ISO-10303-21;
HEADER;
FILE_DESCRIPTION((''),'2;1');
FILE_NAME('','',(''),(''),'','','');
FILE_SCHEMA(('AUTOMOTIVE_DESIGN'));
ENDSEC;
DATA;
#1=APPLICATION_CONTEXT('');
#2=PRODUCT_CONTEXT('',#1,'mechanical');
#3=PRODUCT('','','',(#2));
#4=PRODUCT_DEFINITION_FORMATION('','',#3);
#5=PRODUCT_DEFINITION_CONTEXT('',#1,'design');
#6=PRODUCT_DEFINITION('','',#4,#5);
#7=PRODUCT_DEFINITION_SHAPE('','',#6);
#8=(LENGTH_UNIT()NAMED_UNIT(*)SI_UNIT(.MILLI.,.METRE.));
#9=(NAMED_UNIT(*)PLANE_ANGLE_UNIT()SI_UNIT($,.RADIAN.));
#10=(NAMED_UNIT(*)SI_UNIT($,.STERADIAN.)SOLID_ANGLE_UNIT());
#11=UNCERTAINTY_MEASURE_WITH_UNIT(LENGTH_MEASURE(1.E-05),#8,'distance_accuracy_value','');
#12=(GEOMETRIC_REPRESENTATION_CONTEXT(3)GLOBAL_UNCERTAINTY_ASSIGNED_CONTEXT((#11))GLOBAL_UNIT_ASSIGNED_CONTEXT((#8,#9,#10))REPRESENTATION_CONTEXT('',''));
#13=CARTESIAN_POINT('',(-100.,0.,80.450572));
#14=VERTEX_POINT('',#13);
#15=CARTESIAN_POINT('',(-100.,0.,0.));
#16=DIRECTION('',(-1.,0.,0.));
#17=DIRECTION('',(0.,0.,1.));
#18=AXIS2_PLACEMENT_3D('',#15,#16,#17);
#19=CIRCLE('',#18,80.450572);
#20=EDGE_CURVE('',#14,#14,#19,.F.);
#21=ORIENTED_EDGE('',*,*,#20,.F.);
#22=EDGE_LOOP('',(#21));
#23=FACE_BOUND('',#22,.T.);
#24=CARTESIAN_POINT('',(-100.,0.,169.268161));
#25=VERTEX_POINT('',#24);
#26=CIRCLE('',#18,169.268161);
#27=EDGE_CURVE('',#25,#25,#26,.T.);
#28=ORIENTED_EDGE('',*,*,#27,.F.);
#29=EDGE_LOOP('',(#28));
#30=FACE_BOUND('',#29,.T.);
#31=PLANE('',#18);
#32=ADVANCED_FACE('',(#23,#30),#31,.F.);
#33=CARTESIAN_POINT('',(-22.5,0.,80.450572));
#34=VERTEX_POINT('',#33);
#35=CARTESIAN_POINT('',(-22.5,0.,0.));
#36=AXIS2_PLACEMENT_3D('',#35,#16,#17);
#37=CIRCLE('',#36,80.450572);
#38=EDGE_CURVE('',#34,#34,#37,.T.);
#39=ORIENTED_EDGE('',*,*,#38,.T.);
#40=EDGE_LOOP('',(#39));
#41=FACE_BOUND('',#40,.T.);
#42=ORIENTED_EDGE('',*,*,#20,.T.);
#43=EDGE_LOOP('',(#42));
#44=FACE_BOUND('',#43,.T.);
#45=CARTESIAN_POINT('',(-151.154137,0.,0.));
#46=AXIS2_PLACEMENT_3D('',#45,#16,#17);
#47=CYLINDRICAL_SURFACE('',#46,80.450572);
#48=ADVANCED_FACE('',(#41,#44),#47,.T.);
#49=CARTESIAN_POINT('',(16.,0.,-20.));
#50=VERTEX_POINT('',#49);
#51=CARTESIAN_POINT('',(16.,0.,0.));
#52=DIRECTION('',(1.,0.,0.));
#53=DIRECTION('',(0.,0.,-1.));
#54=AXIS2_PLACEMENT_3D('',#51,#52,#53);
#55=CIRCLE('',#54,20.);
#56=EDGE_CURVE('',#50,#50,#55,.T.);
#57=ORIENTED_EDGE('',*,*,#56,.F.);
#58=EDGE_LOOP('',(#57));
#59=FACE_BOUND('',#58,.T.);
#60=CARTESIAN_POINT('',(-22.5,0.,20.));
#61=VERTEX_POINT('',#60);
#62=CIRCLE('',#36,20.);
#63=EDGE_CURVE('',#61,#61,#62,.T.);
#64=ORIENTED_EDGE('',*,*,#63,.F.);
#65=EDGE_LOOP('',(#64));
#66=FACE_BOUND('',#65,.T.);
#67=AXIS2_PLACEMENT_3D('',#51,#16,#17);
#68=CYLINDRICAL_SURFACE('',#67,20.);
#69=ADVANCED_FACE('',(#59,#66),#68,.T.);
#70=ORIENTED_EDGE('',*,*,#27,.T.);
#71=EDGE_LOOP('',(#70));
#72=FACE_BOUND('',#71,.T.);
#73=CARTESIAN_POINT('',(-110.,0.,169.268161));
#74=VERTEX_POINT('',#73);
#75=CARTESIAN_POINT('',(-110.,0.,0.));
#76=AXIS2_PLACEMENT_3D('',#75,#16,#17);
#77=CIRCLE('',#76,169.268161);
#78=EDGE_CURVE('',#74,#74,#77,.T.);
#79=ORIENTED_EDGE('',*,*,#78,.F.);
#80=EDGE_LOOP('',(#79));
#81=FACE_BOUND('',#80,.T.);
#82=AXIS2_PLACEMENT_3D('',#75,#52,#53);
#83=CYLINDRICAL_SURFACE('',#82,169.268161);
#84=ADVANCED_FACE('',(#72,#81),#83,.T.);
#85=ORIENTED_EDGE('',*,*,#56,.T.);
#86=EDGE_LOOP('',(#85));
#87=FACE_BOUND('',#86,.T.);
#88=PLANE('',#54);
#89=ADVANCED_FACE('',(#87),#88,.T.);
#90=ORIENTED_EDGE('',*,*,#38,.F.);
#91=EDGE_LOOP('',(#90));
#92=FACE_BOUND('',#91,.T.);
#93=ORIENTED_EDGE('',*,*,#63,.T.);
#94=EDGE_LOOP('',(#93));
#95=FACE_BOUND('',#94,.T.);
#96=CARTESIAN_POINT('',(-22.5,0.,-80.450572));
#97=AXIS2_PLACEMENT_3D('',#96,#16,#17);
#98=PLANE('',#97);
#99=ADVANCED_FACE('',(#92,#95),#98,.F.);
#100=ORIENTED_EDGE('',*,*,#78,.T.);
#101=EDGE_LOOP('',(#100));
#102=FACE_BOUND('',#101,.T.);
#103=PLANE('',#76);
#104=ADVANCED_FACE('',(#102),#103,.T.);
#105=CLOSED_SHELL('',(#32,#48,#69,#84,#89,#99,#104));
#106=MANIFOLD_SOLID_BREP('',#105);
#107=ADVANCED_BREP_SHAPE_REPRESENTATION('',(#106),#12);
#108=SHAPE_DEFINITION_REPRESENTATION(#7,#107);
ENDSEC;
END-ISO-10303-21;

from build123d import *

# Parameters (mm, degrees)
SKETCH1_R               = 50
BOSS_EXTRUDE1_DEPTH     = 140
SKETCH2_W               = 10
SKETCH2_H               = 60
BOSS_EXTRUDE2_START     = 100
SKETCH3_R               = 50
BOSS_EXTRUDE2_DEPTH     = 100
SKETCH4_R               = 169.268161275
BOSS_EXTRUDE3_DEPTH     = 10
FILLET2_R               = 50
CUT_EXTRUDE1_DEPTH      = 278.314660346
CUT_EXTRUDE1_DEPTH_BACK = 278.314660346
SKETCH5_W               = 561.706839888
SKETCH5_H               = 604.768431274
SKETCH6_R               = 20
BOSS_EXTRUDE4_DEPTH     = 116
SKETCH7_W               = 77.5
SKETCH7_H               = 80.450571877


with BuildPart() as part:
    # Sketch1 → Boss-Extrude1 (new body)
    with BuildSketch(Plane(origin=(0, 0, 0), x_dir=(0, 0, -1), z_dir=(1, 0, 0))):
        Circle(SKETCH1_R)
    extrude(amount=BOSS_EXTRUDE1_DEPTH)

    # Sketch2 → Revolve1 (revolve)
    with BuildSketch(Plane(origin=(0, 0, 0), x_dir=(1, 0, 0), z_dir=(0, 1, 0)), mode=Mode.PRIVATE) as revolve1_sk:
        with Locations((15, 30)):
            Rectangle(SKETCH2_W, SKETCH2_H)
        with Locations((125, 30)):
            Rectangle(SKETCH2_W, SKETCH2_H)
    revolve(revolve1_sk.sketch.rotate(Axis((0, 0, 0), (1, 0, 0)), 180), axis=Axis((0, 0, 0), (1, 0, 0)))

    # Sketch3 → Boss-Extrude2 (add)
    with BuildSketch(Plane.ZY.offset(BOSS_EXTRUDE2_START)):
        Circle(SKETCH3_R)
    extrude(amount=-BOSS_EXTRUDE2_DEPTH)

    # Sketch4 → Boss-Extrude3 (add)
    with BuildSketch(Plane.ZY.offset(100)):
        Circle(SKETCH4_R)
    extrude(amount=BOSS_EXTRUDE3_DEPTH)

    # Fillet2
    fillet2_edges = [part.edges().sort_by_distance(p)[0] for p in [
        (-100, 0, -50),
    ]]
    fillet(fillet2_edges, radius=FILLET2_R)

    # Sketch5 → Cut-Extrude1 (cut, two sides: drawn at the far end of the back side and taken through both)
    with BuildSketch(Plane(origin=(0, 0, 0), x_dir=(1, 0, 0), z_dir=(0, 1, 0)).offset(-CUT_EXTRUDE1_DEPTH_BACK)):
        with Locations((180.853419944, 0)):
            Rectangle(SKETCH5_W, SKETCH5_H)
    extrude(amount=CUT_EXTRUDE1_DEPTH + CUT_EXTRUDE1_DEPTH_BACK, mode=Mode.SUBTRACT)

    # Sketch6 → Boss-Extrude4 (add)
    with BuildSketch(Plane(origin=(-100, 0, 0), x_dir=(0, 0, -1), z_dir=(1, 0, 0))):
        with Locations(Location((0, 0, 0), (0, 0, 180))):
            Circle(SKETCH6_R)
    extrude(amount=BOSS_EXTRUDE4_DEPTH)

    # Sketch7 → Revolve2 (revolve)
    with BuildSketch(Plane(origin=(0, 0, 0), x_dir=(1, 0, 0), z_dir=(0, 1, 0)), mode=Mode.PRIVATE) as revolve2_sk:
        with Locations((-61.25, 40.225285939)):
            Rectangle(SKETCH7_W, SKETCH7_H)
    revolve(revolve2_sk.sketch.rotate(Axis((-151.154136958, 0, 0), (1, 0, 0)), 180), axis=Axis((-151.154136958, 0, 0), (1, 0, 0)))


solid = part.part
